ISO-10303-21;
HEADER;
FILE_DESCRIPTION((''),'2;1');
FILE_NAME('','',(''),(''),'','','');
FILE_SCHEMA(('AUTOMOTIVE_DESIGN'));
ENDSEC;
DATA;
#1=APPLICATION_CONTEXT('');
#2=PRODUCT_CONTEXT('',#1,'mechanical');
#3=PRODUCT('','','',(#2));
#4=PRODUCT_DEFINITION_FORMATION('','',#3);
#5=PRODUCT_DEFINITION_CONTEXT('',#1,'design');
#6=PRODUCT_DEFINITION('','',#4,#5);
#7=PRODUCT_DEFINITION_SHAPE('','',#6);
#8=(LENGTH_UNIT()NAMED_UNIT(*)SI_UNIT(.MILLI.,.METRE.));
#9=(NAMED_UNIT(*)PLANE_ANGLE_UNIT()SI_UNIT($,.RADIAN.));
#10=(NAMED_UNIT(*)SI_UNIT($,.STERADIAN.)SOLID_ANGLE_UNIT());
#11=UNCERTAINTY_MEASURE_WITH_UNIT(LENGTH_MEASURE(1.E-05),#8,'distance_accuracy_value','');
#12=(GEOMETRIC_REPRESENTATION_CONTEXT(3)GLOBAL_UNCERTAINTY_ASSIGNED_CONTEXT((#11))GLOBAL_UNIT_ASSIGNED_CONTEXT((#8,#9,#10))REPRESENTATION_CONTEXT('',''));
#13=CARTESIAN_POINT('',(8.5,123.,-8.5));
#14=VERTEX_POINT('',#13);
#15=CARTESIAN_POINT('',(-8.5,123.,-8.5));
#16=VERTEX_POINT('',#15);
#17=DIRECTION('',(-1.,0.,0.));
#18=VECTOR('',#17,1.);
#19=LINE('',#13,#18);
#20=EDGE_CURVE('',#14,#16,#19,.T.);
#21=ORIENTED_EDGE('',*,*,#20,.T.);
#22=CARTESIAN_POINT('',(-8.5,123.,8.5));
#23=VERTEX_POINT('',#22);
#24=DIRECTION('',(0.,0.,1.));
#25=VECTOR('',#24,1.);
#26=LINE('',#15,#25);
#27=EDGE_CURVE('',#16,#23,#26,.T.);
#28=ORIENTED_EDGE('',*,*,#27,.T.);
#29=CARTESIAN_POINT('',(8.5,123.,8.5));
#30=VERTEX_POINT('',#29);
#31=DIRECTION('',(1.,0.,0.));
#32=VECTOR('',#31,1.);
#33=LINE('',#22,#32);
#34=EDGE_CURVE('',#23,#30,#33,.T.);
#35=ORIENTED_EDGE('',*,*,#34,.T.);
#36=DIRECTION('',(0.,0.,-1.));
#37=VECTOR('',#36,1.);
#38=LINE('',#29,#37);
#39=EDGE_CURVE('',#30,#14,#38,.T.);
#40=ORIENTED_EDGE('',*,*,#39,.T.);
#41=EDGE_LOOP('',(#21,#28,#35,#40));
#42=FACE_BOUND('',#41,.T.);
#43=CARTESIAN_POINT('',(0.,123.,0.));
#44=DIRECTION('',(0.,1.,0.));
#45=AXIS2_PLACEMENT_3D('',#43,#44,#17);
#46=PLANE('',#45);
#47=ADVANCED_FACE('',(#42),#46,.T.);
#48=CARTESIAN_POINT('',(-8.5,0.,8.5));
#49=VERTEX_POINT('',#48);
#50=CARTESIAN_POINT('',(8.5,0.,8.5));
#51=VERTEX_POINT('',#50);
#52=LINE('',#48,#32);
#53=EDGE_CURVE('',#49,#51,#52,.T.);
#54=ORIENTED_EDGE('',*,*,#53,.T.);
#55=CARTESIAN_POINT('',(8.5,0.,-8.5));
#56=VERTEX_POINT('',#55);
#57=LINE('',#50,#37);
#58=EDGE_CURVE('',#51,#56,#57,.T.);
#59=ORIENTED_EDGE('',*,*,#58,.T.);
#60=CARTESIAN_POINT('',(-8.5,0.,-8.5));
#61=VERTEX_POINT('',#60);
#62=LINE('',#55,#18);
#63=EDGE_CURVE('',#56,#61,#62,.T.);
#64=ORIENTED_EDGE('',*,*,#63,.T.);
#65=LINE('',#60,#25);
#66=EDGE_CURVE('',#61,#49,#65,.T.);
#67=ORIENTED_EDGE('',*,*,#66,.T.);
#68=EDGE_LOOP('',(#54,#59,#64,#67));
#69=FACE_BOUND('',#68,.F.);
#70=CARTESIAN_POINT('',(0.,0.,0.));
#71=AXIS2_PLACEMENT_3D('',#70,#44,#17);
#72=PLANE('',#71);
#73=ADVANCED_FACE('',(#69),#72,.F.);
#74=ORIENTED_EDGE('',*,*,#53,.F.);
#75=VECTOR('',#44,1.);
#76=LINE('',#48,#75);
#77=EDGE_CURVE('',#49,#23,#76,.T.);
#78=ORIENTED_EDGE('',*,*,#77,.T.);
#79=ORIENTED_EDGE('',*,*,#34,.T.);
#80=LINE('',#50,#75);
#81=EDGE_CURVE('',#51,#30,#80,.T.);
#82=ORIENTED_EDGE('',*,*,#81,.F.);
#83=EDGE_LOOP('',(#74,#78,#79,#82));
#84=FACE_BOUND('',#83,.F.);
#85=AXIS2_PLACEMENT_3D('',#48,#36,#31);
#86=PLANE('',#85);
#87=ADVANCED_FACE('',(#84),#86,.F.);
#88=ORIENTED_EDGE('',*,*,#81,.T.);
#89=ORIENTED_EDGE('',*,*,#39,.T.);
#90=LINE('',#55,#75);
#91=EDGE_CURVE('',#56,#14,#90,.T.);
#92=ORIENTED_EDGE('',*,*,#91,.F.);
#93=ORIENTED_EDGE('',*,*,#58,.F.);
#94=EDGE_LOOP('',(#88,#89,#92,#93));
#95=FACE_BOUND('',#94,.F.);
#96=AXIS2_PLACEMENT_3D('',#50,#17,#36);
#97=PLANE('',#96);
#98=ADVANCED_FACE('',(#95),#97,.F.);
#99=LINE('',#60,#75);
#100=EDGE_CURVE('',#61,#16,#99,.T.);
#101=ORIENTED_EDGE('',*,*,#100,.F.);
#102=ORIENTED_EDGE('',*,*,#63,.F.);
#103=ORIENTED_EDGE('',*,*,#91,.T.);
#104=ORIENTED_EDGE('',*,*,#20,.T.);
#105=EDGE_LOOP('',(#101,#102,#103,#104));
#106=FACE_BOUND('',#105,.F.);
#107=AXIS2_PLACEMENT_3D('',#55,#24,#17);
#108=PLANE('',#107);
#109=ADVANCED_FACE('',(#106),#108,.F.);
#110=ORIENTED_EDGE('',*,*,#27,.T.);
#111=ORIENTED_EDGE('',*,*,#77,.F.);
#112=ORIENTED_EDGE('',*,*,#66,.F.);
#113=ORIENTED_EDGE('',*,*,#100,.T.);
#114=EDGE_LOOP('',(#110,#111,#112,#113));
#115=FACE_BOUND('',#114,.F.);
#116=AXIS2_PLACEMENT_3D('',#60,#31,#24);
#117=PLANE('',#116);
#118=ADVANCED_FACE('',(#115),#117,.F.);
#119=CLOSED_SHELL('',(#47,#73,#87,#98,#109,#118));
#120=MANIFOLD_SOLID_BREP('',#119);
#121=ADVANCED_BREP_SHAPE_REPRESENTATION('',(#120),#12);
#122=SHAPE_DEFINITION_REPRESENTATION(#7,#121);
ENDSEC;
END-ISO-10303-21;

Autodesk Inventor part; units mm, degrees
ref_plane "YZ Plane" through (0, 0, 0) normal (1, 0, 0) x (0, 1, 0)
ref_plane "XZ Plane" through (0, 0, 0) normal (0, 1, 0) x (-1, 0, 0)
ref_plane "XY Plane" through (0, 0, 0) normal (0, 0, 1) x (1, 0, 0)
sketch "Sketch1" plane through (0, 0, 0) normal (0, 1, 0) x (-1, 0, 0)
  line L0 (-8.5, -8.5) -> (8.5, -8.5)
  line L1 (8.5, -8.5) -> (8.5, 8.5)
  line L2 (8.5, 8.5) -> (-8.5, 8.5)
  line L3 (-8.5, 8.5) -> (-8.5, -8.5)
  line L4 (-8.5, -8.5) -> (8.5, 8.5) construction
  line L5 (8.5, -8.5) -> (-8.5, 8.5) construction
  point P0 (0, 0)
  dimension "d0" = 17
  dimension "d1" = 17
extrude "Extrusion1" add sketch "Sketch1" along normal blind 123
properties part number "PoutreBras" material "Wood (Oak)"
